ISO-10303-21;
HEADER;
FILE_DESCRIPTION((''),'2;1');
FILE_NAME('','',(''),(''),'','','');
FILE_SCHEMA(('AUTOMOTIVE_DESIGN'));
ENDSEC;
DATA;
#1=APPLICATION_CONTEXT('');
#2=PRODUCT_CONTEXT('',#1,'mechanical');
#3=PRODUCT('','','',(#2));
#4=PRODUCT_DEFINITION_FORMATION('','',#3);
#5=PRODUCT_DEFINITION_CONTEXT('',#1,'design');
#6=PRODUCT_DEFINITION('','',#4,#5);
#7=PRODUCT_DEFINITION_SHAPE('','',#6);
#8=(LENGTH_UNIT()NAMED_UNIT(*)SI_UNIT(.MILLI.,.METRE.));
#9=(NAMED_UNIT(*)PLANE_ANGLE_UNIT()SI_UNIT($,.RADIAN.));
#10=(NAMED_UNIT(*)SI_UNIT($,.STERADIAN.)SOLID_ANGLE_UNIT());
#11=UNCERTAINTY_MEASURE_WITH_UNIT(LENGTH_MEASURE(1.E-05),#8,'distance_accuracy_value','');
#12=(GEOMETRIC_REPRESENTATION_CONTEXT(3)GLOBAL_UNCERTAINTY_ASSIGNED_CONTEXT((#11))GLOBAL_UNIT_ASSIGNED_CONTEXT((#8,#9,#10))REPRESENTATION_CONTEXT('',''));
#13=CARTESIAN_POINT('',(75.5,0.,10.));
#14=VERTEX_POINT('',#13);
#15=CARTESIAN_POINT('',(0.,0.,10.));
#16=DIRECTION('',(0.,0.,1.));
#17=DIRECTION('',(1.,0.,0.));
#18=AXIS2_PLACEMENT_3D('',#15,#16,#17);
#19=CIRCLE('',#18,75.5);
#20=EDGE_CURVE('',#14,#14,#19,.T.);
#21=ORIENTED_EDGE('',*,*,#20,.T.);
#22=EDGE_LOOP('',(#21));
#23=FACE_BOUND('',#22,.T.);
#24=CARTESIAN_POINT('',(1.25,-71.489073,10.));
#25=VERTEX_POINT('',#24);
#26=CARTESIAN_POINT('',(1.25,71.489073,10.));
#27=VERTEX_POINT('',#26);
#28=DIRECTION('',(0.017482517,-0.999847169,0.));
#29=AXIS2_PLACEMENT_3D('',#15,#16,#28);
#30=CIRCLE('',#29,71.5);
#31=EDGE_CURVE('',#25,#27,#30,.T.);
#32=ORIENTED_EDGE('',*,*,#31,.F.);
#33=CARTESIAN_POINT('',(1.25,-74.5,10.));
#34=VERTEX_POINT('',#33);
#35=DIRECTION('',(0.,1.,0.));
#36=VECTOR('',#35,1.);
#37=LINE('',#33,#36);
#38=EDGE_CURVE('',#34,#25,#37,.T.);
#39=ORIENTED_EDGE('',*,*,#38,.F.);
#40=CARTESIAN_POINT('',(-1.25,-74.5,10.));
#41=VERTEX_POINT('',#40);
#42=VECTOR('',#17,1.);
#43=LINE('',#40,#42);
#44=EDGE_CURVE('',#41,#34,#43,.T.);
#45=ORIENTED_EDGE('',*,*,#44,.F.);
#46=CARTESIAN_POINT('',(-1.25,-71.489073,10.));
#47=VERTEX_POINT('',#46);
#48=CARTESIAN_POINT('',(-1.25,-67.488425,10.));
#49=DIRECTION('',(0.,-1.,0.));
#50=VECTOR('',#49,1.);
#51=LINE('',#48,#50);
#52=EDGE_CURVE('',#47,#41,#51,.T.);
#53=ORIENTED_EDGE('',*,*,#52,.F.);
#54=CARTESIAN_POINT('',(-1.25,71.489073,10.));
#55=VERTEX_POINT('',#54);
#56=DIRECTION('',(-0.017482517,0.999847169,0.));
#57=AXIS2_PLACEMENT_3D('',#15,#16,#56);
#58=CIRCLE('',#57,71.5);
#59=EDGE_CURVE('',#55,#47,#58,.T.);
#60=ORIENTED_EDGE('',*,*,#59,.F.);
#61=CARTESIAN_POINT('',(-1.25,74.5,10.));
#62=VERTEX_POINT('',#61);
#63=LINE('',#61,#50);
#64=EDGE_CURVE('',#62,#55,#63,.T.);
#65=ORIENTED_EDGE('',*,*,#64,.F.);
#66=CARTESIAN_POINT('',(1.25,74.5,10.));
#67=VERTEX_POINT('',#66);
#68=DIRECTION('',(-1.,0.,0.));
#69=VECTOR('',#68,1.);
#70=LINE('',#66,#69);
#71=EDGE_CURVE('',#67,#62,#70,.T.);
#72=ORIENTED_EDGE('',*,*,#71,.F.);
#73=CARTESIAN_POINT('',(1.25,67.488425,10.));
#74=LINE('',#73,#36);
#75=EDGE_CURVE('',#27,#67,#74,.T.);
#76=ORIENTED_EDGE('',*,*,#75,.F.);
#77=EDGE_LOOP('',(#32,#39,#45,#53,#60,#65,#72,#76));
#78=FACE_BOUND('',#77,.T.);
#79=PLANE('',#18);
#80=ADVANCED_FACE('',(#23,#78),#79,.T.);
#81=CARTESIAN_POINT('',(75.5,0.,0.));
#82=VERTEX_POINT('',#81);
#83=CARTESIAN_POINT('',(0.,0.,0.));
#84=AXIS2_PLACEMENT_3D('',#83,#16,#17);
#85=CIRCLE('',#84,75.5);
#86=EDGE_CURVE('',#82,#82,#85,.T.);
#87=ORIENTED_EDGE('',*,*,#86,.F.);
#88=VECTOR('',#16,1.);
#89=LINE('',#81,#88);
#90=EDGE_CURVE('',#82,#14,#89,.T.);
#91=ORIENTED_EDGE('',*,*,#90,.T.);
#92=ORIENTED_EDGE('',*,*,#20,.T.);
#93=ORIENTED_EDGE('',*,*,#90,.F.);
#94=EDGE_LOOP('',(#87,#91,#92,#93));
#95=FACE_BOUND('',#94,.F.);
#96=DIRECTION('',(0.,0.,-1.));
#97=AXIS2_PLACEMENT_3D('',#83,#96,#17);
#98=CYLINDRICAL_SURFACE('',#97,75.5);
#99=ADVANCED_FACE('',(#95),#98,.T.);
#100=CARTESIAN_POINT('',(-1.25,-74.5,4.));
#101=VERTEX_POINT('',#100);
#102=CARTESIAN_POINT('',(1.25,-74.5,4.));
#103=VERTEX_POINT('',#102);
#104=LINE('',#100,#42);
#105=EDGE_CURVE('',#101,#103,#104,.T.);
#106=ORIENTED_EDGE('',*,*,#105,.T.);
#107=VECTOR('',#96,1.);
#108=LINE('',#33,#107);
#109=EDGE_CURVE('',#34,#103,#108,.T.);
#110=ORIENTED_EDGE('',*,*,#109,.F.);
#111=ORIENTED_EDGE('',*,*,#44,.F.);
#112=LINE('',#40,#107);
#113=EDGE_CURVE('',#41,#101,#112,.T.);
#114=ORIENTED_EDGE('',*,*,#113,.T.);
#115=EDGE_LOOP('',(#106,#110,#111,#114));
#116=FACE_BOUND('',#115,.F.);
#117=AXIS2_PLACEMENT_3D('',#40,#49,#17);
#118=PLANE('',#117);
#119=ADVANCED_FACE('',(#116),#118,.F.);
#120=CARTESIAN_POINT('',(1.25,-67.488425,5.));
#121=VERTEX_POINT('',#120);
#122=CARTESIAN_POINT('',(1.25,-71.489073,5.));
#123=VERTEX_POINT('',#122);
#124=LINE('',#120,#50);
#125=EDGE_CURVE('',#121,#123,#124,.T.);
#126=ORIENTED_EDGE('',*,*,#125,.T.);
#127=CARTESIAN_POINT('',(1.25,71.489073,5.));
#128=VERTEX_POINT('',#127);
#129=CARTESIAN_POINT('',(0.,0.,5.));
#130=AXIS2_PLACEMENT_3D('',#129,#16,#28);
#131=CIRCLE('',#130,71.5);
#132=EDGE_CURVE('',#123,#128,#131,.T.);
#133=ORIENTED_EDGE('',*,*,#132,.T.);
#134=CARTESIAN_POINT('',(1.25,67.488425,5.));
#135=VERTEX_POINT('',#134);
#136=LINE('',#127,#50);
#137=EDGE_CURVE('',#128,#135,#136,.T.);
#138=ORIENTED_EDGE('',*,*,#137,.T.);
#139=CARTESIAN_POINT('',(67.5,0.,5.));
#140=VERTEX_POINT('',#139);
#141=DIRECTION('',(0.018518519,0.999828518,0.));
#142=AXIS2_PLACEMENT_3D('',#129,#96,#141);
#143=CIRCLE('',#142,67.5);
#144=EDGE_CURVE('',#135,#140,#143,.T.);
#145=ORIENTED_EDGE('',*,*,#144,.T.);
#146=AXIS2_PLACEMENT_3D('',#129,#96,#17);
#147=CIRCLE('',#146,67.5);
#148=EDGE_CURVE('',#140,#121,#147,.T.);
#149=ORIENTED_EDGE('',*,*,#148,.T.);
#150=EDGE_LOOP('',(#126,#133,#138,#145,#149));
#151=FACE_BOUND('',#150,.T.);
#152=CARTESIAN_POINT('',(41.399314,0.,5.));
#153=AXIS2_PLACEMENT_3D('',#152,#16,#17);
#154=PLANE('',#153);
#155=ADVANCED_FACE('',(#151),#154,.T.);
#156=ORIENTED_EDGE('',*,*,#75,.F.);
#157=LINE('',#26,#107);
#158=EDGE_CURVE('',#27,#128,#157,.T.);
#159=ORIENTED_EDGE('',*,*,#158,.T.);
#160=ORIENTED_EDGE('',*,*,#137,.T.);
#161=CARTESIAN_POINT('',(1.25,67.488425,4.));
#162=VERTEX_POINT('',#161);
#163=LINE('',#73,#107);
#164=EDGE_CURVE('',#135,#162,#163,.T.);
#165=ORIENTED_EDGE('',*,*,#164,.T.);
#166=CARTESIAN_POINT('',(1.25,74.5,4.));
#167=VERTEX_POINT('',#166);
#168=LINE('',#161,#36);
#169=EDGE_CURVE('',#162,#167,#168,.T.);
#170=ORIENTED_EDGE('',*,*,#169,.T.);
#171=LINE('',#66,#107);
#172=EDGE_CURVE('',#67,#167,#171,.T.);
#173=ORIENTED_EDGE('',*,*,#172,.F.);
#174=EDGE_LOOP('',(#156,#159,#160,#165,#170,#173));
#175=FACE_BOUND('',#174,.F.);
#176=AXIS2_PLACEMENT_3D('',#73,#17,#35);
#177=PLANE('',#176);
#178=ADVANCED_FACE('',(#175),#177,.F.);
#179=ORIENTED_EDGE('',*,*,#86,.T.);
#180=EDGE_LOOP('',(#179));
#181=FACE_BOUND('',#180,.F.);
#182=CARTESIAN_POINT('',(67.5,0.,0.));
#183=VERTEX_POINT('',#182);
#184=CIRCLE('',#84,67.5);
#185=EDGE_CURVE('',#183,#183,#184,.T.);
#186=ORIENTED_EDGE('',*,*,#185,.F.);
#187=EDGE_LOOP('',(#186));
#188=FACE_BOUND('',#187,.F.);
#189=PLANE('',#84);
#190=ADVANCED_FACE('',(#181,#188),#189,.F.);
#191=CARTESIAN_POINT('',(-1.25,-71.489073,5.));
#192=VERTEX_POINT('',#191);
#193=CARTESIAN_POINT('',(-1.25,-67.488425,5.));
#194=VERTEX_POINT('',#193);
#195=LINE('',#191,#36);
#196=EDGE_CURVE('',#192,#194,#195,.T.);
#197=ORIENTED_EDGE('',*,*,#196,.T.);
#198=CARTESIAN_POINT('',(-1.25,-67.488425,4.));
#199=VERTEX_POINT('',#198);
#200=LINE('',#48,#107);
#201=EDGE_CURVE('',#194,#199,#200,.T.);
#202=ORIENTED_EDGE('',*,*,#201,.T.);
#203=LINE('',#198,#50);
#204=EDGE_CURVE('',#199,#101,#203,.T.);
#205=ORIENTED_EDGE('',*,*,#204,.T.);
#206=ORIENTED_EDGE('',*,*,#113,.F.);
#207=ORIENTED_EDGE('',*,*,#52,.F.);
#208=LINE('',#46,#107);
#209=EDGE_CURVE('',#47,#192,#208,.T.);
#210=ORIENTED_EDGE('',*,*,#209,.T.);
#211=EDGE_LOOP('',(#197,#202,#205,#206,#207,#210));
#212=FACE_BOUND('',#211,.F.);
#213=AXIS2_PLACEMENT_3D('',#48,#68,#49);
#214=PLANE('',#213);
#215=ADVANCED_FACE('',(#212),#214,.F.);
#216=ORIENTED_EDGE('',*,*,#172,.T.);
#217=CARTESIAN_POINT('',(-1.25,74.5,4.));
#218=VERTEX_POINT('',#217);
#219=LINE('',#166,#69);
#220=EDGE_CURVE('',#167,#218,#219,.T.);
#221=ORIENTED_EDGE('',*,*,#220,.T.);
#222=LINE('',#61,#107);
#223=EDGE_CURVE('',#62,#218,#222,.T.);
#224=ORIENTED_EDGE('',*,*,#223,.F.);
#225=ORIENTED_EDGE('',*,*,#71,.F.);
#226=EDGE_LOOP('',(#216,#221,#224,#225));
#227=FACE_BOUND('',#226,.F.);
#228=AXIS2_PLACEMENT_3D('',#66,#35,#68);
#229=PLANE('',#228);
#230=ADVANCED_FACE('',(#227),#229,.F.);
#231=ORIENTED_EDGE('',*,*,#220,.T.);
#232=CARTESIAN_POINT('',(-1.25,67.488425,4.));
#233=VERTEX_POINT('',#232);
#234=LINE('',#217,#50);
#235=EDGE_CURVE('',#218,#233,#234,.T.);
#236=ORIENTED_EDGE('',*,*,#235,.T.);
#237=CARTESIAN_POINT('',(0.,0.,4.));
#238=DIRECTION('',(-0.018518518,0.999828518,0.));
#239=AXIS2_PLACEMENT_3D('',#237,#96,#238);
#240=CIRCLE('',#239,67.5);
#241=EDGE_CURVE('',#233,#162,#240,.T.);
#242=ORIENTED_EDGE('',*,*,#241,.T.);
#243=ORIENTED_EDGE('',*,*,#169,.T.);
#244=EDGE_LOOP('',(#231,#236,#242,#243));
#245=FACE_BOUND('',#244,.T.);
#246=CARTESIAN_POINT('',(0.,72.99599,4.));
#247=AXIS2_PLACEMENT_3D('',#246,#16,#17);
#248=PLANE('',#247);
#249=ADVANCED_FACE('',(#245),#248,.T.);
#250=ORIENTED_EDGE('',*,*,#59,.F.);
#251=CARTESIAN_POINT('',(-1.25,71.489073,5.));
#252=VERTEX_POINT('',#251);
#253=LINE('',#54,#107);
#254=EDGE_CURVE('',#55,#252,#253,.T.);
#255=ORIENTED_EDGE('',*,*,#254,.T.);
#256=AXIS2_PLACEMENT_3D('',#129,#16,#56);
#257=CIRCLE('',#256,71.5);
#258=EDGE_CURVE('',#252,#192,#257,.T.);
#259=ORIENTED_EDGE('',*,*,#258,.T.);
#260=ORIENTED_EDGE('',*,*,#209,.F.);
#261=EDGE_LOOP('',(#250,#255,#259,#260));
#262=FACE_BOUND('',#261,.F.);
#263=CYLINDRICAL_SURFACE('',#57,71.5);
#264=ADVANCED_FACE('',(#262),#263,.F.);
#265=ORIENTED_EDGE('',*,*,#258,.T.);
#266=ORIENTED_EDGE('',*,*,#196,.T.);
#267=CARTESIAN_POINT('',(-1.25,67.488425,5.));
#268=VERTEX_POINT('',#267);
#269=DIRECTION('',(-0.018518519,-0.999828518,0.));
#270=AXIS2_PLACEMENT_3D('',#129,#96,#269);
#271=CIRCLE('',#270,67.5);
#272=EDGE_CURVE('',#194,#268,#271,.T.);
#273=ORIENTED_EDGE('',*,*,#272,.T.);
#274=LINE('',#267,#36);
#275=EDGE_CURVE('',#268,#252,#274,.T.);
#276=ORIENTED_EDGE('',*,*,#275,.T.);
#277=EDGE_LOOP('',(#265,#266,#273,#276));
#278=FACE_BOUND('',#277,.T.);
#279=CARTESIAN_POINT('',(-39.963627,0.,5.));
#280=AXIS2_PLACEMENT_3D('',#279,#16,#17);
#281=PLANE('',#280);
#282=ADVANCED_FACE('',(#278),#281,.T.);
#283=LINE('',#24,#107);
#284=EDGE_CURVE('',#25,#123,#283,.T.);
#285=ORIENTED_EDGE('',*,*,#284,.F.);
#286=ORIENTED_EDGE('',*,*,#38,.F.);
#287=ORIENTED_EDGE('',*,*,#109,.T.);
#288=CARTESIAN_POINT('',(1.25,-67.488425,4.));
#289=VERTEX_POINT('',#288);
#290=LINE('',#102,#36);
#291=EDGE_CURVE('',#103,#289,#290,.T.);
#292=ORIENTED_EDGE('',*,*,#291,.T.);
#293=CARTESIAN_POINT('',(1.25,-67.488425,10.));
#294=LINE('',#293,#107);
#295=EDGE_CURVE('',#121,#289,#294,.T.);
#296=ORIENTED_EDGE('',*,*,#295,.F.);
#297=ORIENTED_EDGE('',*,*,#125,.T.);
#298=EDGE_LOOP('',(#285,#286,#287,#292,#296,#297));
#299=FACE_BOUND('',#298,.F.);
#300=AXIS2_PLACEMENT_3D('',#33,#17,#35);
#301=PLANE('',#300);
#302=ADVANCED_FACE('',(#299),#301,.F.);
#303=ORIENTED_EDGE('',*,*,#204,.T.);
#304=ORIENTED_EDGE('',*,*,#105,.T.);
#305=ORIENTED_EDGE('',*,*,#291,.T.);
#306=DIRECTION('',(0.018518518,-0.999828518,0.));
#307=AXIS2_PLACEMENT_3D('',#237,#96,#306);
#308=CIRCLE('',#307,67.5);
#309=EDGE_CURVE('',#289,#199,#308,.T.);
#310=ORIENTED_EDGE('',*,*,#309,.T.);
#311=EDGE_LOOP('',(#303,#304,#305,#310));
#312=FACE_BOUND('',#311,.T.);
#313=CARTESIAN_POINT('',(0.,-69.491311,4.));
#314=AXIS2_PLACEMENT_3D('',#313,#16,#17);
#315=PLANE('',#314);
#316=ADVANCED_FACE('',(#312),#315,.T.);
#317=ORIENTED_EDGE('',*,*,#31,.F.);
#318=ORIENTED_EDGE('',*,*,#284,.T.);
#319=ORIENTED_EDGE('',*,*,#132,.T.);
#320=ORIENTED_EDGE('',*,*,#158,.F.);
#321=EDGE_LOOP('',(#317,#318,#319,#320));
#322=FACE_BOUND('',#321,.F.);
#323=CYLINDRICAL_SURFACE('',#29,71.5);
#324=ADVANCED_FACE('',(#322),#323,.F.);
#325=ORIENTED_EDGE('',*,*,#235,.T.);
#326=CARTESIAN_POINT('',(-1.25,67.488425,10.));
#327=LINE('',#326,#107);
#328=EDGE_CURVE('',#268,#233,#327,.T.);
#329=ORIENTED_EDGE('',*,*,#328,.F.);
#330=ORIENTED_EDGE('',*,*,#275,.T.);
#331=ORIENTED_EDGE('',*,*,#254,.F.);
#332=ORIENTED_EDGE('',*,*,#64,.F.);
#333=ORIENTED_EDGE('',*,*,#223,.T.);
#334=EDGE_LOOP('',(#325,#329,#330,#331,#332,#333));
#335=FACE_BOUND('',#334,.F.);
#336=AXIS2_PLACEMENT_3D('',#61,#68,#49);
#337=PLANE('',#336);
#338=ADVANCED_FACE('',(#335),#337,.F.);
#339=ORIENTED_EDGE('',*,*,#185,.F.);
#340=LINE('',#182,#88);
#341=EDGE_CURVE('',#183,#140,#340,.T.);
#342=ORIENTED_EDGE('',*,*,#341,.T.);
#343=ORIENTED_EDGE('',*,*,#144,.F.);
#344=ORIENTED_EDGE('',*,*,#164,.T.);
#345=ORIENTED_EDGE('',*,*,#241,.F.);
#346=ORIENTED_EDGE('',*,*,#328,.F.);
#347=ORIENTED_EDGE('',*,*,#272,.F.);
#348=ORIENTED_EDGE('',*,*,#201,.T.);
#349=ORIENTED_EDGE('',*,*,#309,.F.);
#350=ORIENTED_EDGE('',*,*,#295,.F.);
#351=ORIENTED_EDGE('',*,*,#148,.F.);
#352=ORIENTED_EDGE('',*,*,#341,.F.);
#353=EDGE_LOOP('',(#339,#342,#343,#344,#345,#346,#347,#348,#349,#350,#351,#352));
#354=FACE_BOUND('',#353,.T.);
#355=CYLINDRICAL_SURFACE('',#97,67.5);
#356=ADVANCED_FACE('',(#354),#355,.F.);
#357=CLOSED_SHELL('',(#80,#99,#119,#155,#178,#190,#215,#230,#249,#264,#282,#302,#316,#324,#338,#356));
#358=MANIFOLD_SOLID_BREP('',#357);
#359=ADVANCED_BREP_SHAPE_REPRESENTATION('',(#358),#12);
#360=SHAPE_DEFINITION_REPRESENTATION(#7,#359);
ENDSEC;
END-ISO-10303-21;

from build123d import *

# Parameters (mm, degrees)
F0_R     = 75.5
F0_R_2   = 67.5
F1_DEPTH = 10
F3_DEPTH = 6
F4_DEPTH = 5


with BuildPart() as f1:
    # F0 (on Top) → F1 (new body)
    with BuildSketch(Plane.XY):
        Circle(F0_R)
        Circle(F0_R_2, mode=Mode.SUBTRACT)
    extrude(amount=F1_DEPTH)

    # F2 (on face) → F3 (cut)
    with BuildSketch(Plane.XY.offset(10)):
        with BuildLine():
            Line((1.25, 71.4890725916), (1.25, 74.5))
            Line((1.25, 74.5), (-1.25, 74.5))
            Line((-1.25, 74.5), (-1.25, 71.4890725916))
            ThreePointArc((-1.25, 71.4890725916), (0, 71.5), (1.25, 71.4890725916))
        make_face()
        with BuildLine():
            Line((1.25, 67.4884249335), (1.25, 71.4890725916))
            ThreePointArc((1.25, 71.4890725916), (0, 71.5), (-1.25, 71.4890725916))
            Line((-1.25, 71.4890725916), (-1.25, 67.4884249335))
            ThreePointArc((-1.25, 67.4884249335), (0, 67.5), (1.25, 67.4884249335))
        make_face()
        with BuildLine():
            Line((-1.25, -67.4884249335), (-1.25, -71.4890725916))
            ThreePointArc((-1.25, -71.4890725916), (0, -71.5), (1.25, -71.4890725916))
            Line((1.25, -71.4890725916), (1.25, -67.4884249335))
            ThreePointArc((1.25, -67.4884249335), (0, -67.5), (-1.25, -67.4884249335))
        make_face()
        with BuildLine():
            ThreePointArc((1.25, -71.4890725916), (0, -71.5), (-1.25, -71.4890725916))
            Line((-1.25, -71.4890725916), (-1.25, -74.5))
            Line((-1.25, -74.5), (1.25, -74.5))
            Line((1.25, -74.5), (1.25, -71.4890725916))
        make_face()
    extrude(amount=-F3_DEPTH, mode=Mode.SUBTRACT)

    # F2 (on face) → F4 (cut)
    with BuildSketch(Plane.XY.offset(10)):
        with BuildLine():
            ThreePointArc((71.5, 0), (50.9981617316, 50.114244482), (1.25, 71.4890725916))
            Line((1.25, 71.4890725916), (1.25, 67.4884249335))
            ThreePointArc((1.25, 67.4884249335), (48.16962217, 47.2857007984), (67.5, 0))
            ThreePointArc((67.5, 0), (48.16962217, -47.2857007984), (1.25, -67.4884249335))
            Line((1.25, -67.4884249335), (1.25, -71.4890725916))
            ThreePointArc((1.25, -71.4890725916), (50.9981617316, -50.114244482), (71.5, 0))
        make_face()
        with BuildLine():
            Line((-1.25, 67.4884249335), (-1.25, 71.4890725916))
            ThreePointArc((-1.25, 71.4890725916), (-71.5, 0), (-1.25, -71.4890725916))
            Line((-1.25, -71.4890725916), (-1.25, -67.4884249335))
            ThreePointArc((-1.25, -67.4884249335), (-67.5, 0), (-1.25, 67.4884249335))
        make_face()
    extrude(amount=-F4_DEPTH, mode=Mode.SUBTRACT)


solid = f1.part
